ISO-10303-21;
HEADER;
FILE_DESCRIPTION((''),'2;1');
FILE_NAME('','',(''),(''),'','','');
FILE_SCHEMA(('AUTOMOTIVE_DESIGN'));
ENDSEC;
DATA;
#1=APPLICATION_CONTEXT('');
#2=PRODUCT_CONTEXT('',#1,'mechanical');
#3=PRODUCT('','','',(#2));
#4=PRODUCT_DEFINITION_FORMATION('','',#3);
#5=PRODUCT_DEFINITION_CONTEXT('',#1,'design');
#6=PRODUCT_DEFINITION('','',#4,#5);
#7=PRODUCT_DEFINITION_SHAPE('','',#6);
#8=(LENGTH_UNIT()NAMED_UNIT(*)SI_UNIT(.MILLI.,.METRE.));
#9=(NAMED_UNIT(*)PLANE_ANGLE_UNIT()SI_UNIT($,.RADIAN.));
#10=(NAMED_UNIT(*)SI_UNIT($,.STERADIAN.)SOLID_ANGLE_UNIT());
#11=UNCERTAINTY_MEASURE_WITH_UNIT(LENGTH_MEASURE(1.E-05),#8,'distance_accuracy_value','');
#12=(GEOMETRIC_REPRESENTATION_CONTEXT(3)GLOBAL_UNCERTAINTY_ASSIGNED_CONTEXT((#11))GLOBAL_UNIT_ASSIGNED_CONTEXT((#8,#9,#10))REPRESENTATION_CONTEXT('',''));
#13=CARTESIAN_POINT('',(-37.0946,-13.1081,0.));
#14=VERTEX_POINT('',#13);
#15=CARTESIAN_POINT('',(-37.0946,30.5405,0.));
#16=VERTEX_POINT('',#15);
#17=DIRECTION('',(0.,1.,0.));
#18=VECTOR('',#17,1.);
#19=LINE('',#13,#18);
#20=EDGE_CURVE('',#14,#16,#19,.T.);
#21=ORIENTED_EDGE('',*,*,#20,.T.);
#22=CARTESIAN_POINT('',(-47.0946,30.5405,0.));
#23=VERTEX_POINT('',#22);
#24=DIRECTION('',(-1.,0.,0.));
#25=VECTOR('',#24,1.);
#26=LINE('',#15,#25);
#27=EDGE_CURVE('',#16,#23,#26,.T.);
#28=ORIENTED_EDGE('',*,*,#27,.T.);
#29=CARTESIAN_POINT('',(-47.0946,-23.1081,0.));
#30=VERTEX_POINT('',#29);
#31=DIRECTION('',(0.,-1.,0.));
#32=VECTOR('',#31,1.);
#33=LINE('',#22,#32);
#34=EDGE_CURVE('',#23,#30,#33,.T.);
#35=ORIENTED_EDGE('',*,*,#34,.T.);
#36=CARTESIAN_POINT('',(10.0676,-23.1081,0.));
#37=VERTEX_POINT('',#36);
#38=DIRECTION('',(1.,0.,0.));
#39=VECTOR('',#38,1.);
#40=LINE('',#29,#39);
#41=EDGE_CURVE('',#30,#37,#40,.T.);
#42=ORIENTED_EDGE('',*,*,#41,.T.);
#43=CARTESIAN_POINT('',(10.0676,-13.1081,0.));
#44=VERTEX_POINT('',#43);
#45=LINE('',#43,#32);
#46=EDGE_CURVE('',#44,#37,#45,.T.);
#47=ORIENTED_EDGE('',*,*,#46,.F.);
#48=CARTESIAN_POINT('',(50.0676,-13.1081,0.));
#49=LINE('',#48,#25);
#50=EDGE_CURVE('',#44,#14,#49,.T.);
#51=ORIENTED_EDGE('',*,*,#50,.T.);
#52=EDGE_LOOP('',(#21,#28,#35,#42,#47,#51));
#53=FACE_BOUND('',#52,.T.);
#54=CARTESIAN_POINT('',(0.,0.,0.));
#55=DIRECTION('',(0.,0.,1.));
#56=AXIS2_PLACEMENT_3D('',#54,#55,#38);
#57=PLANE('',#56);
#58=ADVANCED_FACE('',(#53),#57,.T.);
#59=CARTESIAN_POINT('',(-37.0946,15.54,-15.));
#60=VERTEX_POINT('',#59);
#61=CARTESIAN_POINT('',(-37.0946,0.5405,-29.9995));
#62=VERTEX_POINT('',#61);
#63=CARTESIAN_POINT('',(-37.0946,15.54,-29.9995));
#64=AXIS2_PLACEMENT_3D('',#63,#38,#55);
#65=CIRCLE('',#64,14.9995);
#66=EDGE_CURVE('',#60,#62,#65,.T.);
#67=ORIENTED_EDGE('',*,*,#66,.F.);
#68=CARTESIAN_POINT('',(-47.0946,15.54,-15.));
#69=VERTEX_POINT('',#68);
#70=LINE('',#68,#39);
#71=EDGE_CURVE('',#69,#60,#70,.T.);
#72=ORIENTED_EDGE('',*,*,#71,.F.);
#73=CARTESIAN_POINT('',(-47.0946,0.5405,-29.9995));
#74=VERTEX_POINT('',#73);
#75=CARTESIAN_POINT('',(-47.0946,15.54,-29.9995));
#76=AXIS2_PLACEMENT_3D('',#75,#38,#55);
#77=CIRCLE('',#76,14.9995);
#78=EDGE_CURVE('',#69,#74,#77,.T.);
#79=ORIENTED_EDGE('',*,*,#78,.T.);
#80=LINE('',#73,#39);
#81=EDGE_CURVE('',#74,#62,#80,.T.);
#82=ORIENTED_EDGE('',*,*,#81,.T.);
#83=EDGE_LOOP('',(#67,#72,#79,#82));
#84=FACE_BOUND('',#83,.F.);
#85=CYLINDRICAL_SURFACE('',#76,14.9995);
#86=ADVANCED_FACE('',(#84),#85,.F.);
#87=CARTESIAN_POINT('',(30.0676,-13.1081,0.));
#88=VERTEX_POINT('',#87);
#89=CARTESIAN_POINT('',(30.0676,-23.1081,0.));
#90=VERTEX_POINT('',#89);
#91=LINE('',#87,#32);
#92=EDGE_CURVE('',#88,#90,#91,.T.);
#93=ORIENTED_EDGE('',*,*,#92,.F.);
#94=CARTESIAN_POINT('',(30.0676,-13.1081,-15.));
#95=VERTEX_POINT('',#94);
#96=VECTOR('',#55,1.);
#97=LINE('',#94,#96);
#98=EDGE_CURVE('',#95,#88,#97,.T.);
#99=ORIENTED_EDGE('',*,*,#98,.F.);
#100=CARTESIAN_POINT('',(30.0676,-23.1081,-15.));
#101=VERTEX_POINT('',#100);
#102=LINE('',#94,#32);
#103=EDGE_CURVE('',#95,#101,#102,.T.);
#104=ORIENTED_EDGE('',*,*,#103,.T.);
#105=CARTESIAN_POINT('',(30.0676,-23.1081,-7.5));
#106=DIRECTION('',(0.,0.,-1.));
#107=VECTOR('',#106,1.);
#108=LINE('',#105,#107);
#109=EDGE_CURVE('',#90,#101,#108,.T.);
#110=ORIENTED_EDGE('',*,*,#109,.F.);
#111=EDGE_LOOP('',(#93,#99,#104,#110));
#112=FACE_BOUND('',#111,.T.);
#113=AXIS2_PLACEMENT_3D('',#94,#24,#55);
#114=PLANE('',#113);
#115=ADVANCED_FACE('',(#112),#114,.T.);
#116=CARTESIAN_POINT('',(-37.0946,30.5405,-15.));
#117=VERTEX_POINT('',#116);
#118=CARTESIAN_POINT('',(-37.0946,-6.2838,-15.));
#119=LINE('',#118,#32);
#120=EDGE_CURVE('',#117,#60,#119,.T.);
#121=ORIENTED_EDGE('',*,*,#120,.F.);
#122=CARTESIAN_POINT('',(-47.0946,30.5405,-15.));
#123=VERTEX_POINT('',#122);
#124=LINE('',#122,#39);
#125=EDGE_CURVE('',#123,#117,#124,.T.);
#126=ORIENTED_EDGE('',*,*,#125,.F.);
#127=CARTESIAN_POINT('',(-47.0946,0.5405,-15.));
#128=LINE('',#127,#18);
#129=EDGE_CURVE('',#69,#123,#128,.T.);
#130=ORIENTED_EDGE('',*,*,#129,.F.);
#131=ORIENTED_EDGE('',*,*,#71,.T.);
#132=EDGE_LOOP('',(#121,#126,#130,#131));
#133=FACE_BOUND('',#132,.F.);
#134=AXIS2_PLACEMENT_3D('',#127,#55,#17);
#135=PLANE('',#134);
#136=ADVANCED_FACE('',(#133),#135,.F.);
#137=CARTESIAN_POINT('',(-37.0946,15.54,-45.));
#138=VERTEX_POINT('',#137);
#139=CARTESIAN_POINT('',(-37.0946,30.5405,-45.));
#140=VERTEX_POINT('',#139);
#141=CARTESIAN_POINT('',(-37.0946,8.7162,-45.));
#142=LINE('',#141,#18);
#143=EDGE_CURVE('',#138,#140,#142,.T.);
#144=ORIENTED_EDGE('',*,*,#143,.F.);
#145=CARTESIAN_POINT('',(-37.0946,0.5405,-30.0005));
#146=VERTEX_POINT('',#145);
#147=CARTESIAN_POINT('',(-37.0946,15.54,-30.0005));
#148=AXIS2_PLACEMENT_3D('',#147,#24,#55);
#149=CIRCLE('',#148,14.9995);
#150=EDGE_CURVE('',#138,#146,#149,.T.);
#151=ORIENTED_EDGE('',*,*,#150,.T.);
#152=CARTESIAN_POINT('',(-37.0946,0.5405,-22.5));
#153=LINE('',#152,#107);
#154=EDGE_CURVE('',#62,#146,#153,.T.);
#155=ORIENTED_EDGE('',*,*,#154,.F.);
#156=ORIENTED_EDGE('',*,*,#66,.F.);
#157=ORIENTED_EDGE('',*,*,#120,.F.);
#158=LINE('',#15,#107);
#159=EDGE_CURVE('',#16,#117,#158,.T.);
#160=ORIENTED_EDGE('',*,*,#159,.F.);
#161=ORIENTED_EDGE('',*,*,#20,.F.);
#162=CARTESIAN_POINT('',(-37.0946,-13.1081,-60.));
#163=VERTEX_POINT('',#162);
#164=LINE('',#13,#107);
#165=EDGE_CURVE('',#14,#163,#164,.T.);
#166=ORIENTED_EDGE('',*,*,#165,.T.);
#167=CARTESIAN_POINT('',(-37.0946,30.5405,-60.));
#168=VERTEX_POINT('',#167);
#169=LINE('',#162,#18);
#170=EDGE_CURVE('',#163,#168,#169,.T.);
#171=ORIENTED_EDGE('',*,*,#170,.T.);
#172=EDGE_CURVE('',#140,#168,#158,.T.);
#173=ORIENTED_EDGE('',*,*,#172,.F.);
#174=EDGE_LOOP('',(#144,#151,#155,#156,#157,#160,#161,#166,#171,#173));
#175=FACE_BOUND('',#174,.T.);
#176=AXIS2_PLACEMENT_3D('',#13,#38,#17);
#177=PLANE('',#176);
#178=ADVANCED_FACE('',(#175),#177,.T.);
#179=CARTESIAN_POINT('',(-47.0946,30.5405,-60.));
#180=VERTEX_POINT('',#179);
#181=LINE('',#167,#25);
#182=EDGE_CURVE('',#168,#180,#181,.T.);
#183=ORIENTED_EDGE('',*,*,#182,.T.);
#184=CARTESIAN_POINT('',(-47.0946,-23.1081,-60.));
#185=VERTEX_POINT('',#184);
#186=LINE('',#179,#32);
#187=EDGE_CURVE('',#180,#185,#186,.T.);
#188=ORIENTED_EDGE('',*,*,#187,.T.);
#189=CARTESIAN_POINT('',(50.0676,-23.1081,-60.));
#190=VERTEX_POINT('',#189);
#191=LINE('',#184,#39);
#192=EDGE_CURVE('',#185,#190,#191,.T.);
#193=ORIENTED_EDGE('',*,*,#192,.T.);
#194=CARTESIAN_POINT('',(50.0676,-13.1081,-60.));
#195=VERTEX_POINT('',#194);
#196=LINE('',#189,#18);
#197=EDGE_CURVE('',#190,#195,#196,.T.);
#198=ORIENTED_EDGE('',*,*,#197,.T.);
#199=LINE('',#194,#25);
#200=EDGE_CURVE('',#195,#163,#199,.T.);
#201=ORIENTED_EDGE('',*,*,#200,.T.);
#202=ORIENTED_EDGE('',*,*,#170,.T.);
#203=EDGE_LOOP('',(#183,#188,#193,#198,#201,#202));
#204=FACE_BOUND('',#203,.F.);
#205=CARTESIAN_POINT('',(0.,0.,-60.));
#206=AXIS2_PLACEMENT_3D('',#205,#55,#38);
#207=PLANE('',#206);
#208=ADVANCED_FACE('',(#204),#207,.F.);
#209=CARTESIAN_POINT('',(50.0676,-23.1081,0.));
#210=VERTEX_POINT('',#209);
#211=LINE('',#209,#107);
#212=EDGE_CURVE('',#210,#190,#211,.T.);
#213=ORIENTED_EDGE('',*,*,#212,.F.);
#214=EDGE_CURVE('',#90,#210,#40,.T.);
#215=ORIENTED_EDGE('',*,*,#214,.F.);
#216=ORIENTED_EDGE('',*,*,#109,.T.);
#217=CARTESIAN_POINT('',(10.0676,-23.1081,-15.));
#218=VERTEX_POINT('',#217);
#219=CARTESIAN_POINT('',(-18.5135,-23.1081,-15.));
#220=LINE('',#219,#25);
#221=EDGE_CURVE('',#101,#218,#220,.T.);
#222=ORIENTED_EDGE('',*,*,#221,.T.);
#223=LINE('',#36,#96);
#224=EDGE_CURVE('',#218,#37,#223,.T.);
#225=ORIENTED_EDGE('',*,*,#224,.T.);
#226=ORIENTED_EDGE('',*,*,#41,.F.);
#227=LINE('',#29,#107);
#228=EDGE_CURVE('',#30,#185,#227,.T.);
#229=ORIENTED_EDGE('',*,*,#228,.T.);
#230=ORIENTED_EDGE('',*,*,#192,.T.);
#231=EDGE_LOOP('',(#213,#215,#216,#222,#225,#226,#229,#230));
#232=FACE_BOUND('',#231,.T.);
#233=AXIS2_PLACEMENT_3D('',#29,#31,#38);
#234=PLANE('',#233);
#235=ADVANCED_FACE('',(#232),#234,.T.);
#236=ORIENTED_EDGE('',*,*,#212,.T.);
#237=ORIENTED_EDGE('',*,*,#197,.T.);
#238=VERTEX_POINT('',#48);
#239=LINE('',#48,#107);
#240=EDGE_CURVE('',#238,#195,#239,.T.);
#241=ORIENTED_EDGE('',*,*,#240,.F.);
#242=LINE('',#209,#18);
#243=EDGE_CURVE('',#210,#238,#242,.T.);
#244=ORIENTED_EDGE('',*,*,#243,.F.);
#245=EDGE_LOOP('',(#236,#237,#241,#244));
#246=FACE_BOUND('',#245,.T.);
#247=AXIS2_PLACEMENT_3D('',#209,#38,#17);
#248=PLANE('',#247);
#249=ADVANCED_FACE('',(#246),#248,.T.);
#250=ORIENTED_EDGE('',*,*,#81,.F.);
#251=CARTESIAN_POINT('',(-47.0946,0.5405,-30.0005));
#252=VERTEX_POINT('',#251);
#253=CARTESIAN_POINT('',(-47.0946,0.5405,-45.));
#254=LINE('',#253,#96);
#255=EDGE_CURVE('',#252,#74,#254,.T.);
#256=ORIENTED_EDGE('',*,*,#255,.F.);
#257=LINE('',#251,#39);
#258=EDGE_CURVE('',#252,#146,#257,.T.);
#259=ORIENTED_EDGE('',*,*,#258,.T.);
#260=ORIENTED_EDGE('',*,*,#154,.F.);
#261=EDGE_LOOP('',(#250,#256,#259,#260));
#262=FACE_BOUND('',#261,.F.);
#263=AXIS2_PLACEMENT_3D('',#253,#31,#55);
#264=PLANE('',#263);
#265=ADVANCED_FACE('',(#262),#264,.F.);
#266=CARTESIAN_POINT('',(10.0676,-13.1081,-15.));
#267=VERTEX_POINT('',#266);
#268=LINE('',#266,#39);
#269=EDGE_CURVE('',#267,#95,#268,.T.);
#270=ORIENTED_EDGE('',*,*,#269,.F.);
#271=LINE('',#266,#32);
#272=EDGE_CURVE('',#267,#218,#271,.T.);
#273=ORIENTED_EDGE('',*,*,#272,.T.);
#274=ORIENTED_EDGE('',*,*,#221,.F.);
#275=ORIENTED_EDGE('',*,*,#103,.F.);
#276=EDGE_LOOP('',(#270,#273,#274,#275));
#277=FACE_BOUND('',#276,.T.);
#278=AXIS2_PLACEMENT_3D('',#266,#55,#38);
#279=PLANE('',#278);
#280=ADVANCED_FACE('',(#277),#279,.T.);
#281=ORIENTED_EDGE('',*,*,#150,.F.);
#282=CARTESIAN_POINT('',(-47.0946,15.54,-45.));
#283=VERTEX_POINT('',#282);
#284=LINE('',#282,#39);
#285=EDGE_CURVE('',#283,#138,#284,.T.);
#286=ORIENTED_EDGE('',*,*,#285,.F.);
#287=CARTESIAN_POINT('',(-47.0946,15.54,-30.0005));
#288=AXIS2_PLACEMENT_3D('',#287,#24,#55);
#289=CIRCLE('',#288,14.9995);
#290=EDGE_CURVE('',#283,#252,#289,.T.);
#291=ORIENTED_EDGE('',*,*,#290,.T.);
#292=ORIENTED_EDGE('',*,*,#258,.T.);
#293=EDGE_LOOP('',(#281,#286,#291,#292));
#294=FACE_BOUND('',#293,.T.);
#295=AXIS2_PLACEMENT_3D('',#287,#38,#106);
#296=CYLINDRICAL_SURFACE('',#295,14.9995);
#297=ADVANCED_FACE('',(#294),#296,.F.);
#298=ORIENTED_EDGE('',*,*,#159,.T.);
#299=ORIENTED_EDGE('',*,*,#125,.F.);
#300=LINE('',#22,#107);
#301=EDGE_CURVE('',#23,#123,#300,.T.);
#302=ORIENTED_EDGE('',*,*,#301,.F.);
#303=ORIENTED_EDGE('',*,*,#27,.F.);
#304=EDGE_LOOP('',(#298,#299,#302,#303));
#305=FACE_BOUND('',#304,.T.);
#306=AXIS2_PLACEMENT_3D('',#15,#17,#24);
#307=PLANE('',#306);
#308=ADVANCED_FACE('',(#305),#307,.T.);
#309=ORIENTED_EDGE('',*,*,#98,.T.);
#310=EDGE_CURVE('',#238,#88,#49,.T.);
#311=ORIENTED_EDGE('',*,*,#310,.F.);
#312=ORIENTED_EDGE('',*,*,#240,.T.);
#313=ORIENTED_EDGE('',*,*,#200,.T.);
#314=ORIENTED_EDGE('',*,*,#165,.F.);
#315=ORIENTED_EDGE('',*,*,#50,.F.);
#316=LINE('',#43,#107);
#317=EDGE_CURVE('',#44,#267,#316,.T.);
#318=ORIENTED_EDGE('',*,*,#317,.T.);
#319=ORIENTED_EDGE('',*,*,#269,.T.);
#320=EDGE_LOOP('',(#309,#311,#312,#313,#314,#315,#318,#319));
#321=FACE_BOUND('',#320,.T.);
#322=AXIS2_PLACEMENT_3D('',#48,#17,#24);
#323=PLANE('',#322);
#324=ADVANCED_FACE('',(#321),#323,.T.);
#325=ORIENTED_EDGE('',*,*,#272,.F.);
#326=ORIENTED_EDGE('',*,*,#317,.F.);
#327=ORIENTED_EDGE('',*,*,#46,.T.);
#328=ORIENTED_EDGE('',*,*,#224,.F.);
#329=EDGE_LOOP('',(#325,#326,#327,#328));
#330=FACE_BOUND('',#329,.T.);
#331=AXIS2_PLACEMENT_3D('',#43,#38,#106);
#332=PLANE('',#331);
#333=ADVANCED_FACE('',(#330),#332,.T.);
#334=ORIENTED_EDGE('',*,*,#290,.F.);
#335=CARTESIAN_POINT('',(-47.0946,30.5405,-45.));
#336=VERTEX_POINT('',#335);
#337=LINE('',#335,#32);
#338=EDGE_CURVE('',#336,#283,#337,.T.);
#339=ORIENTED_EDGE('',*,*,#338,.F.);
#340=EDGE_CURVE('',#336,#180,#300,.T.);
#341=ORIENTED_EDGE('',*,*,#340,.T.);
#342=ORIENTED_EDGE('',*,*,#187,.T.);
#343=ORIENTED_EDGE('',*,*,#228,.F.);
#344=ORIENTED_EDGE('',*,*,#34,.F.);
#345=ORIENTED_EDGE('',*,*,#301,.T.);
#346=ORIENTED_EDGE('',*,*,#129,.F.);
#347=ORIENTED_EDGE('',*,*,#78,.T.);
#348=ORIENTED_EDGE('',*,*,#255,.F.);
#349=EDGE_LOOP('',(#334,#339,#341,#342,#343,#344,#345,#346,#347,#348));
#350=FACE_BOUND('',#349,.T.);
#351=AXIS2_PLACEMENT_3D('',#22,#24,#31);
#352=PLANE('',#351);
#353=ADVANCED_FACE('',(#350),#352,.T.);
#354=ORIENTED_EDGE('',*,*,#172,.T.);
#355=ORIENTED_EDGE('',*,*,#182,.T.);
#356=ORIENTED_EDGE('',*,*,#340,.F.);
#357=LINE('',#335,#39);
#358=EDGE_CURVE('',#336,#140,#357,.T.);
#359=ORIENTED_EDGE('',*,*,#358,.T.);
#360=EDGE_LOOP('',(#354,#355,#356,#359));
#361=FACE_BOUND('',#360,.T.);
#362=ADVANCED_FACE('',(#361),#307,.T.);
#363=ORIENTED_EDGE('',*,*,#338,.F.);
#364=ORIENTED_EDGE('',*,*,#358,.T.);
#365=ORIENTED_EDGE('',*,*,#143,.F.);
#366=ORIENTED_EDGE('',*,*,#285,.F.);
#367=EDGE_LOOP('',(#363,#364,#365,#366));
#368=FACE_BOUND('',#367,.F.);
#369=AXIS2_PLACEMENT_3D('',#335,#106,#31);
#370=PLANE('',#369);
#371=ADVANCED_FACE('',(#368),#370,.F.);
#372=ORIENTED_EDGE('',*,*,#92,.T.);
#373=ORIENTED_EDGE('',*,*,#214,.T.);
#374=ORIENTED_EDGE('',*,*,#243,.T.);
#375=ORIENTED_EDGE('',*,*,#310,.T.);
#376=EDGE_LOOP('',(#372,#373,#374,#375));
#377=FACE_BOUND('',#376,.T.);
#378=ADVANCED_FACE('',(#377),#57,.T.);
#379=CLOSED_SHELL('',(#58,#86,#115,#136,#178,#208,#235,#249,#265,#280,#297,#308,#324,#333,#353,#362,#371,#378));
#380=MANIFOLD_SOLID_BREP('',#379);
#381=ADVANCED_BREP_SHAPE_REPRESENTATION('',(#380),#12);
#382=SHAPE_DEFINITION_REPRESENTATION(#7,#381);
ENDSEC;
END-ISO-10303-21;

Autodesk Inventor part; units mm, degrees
ref_plane "YZ Plane" through (0, 0, 0) normal (1, 0, 0) x (0, 1, 0)
ref_plane "XZ Plane" through (0, 0, 0) normal (0, 1, 0) x (-1, 0, 0)
ref_plane "XY Plane" through (0, 0, 0) normal (0, 0, 1) x (1, 0, 0)
sketch "Sketch1" plane through (0, 0, 0) normal (0, 0, 1) x (1, 0, 0)
  line L0 (-47.0946, 30.5405) -> (-47.0946, -23.1081)
  line L1 (-47.0946, -23.1081) -> (50.0676, -23.1081)
  line L2 (50.0676, -23.1081) -> (50.0676, -13.1081)
  line L3 (50.0676, -13.1081) -> (-37.0946, -13.1081)
  line L4 (-37.0946, -13.1081) -> (-37.0946, 30.5405)
  line L5 (-37.0946, 30.5405) -> (-47.0946, 30.5405)
  point P0 (0, 0)
  dimension "d0" = 10
  dimension "d1" = 10
extrude "Extrusion1" add sketch "Sketch1" against normal blind 60
sketch "Sketch2" plane through (-47.0946, -23.1081, 0) normal (-1, 0, 0) x (0, 0, 1)
  line L0 (-60, 0) -> (-60, 53.6486) projected
  line L1 (0, 53.6486) -> (-60, 53.6486) projected
  line L2 (-45, 53.6486) -> (-45, 23.6486)
  line L3 (-45, 23.6486) -> (-15, 23.6486)
  line L4 (-15, 23.6486) -> (-15, 53.6486)
  point P0 (0, 23.1081)
  dimension "d4" = 15
  dimension "d5" = 15
  dimension "d6" = 30
  dimension "d7" = 30
extrude "Extrusion2" cut sketch "Sketch2" against normal blind 40
fillet "Fillet1" radius 15 2 edges at (-42.0946, 0.5405, -45) (-42.0946, 0.5405, -15)
sketch "Sketch3" plane through (-37.0946, -13.1081, 0) normal (0, 1, 0) x (1, 0, 0)
  line L0 (-10, 0) -> (87.1622, 0) projected
  line L1 (47.1622, 0) -> (47.1622, 15)
  line L2 (47.1622, 15) -> (67.1622, 15)
  line L3 (67.1622, 15) -> (67.1622, 0)
  point P0 (37.0946, 0)
  dimension "d11" = 20
  dimension "d12" = 20
  dimension "d13" = 15
extrude "Extrusion3" cut sketch "Sketch3" against normal through all
